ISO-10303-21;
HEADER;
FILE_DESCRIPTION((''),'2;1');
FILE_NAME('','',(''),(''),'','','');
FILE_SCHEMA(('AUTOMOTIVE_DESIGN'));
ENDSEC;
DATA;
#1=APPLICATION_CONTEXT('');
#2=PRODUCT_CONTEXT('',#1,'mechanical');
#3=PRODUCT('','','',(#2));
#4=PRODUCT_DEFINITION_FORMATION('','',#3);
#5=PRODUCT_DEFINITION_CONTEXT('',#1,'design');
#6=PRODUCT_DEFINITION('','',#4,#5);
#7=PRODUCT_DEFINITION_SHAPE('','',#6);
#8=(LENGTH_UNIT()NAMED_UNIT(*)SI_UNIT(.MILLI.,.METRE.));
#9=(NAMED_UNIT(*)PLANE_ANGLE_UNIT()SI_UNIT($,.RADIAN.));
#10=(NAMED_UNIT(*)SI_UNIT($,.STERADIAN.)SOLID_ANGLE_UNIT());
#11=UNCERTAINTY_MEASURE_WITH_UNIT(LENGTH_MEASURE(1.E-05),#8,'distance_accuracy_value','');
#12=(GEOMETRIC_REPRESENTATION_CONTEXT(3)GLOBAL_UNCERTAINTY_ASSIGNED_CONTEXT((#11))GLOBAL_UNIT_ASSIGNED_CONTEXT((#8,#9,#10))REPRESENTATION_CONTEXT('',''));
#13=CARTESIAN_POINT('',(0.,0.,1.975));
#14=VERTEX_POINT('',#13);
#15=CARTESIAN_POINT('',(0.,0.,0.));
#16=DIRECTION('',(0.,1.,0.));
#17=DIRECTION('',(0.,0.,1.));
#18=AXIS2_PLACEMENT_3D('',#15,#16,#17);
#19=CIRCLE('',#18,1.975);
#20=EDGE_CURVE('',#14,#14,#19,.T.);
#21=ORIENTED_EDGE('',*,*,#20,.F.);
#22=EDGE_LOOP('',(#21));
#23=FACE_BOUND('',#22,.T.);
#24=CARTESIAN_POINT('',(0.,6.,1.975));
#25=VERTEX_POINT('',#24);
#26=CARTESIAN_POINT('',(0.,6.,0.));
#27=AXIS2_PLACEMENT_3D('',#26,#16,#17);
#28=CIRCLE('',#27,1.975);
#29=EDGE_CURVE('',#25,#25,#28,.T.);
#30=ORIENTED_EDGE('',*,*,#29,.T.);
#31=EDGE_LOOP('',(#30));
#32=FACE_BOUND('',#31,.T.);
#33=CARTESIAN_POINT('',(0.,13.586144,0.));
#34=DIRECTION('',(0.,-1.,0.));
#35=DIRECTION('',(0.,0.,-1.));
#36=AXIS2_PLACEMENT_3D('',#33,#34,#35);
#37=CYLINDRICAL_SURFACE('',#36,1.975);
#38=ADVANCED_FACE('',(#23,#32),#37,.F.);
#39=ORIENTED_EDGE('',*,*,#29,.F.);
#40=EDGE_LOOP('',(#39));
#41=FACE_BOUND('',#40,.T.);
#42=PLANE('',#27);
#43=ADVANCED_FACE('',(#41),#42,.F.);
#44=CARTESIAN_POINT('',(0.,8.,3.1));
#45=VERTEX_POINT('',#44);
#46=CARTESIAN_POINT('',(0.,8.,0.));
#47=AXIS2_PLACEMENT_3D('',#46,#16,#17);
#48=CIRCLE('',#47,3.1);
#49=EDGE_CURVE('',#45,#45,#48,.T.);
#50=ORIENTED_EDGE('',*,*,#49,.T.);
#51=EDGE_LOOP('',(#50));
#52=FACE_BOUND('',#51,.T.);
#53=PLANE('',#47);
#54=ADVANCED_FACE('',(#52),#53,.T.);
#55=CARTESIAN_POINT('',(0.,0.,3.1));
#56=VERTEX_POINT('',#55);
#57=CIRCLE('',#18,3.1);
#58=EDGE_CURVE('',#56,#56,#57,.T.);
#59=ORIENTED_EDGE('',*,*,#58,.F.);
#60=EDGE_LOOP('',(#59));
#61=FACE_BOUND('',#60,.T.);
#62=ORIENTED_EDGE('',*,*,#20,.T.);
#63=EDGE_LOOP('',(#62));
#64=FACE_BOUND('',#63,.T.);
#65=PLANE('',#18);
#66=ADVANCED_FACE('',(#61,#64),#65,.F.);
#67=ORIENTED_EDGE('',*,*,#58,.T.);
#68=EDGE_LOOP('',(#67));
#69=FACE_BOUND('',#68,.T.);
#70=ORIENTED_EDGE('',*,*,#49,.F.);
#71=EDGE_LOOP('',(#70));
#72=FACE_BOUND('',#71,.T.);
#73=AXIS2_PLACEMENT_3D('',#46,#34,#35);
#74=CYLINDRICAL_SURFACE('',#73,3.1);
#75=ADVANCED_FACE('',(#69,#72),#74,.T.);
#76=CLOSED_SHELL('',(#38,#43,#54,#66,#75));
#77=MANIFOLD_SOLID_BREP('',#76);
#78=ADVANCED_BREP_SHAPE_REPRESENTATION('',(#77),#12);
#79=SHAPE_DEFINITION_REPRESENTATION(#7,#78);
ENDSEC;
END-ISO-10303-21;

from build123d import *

# Parameters (mm, degrees)
SKETCH1_R           = 3.1
SKETCH1_R_2         = 1.975
BOSS_EXTRUDE1_DEPTH = 8
SKETCH1_4_R         = 1.975
CUT_EXTRUDE1_DEPTH  = 6


with BuildPart() as part:
    # Sketch1 → Boss-Extrude1 (new body)
    # profile 1 of 2: a face of its own
    with BuildSketch(Plane(origin=(0, 0, 0), x_dir=(1, 0, 0), z_dir=(0, 1, 0))):
        with Locations(Location((0, 0, 0), (0, 0, 270))):
            Circle(SKETCH1_R)
        Circle(SKETCH1_R_2, mode=Mode.SUBTRACT)
    # profile 2 of 2: a face of its own
    with BuildSketch(Plane(origin=(0, 0, 0), x_dir=(1, 0, 0), z_dir=(0, 1, 0))):
        Circle(SKETCH1_R_2)
    extrude(amount=BOSS_EXTRUDE1_DEPTH)

    # Sketch1<4> → Cut-Extrude1 (cut)
    with BuildSketch(Plane(origin=(0, 0, 0), x_dir=(1, 0, 0), z_dir=(0, 1, 0))):
        with Locations(Location((0, 0, 0), (0, 0, 270))):
            Circle(SKETCH1_4_R)
    extrude(amount=CUT_EXTRUDE1_DEPTH, mode=Mode.SUBTRACT)


solid = part.part
